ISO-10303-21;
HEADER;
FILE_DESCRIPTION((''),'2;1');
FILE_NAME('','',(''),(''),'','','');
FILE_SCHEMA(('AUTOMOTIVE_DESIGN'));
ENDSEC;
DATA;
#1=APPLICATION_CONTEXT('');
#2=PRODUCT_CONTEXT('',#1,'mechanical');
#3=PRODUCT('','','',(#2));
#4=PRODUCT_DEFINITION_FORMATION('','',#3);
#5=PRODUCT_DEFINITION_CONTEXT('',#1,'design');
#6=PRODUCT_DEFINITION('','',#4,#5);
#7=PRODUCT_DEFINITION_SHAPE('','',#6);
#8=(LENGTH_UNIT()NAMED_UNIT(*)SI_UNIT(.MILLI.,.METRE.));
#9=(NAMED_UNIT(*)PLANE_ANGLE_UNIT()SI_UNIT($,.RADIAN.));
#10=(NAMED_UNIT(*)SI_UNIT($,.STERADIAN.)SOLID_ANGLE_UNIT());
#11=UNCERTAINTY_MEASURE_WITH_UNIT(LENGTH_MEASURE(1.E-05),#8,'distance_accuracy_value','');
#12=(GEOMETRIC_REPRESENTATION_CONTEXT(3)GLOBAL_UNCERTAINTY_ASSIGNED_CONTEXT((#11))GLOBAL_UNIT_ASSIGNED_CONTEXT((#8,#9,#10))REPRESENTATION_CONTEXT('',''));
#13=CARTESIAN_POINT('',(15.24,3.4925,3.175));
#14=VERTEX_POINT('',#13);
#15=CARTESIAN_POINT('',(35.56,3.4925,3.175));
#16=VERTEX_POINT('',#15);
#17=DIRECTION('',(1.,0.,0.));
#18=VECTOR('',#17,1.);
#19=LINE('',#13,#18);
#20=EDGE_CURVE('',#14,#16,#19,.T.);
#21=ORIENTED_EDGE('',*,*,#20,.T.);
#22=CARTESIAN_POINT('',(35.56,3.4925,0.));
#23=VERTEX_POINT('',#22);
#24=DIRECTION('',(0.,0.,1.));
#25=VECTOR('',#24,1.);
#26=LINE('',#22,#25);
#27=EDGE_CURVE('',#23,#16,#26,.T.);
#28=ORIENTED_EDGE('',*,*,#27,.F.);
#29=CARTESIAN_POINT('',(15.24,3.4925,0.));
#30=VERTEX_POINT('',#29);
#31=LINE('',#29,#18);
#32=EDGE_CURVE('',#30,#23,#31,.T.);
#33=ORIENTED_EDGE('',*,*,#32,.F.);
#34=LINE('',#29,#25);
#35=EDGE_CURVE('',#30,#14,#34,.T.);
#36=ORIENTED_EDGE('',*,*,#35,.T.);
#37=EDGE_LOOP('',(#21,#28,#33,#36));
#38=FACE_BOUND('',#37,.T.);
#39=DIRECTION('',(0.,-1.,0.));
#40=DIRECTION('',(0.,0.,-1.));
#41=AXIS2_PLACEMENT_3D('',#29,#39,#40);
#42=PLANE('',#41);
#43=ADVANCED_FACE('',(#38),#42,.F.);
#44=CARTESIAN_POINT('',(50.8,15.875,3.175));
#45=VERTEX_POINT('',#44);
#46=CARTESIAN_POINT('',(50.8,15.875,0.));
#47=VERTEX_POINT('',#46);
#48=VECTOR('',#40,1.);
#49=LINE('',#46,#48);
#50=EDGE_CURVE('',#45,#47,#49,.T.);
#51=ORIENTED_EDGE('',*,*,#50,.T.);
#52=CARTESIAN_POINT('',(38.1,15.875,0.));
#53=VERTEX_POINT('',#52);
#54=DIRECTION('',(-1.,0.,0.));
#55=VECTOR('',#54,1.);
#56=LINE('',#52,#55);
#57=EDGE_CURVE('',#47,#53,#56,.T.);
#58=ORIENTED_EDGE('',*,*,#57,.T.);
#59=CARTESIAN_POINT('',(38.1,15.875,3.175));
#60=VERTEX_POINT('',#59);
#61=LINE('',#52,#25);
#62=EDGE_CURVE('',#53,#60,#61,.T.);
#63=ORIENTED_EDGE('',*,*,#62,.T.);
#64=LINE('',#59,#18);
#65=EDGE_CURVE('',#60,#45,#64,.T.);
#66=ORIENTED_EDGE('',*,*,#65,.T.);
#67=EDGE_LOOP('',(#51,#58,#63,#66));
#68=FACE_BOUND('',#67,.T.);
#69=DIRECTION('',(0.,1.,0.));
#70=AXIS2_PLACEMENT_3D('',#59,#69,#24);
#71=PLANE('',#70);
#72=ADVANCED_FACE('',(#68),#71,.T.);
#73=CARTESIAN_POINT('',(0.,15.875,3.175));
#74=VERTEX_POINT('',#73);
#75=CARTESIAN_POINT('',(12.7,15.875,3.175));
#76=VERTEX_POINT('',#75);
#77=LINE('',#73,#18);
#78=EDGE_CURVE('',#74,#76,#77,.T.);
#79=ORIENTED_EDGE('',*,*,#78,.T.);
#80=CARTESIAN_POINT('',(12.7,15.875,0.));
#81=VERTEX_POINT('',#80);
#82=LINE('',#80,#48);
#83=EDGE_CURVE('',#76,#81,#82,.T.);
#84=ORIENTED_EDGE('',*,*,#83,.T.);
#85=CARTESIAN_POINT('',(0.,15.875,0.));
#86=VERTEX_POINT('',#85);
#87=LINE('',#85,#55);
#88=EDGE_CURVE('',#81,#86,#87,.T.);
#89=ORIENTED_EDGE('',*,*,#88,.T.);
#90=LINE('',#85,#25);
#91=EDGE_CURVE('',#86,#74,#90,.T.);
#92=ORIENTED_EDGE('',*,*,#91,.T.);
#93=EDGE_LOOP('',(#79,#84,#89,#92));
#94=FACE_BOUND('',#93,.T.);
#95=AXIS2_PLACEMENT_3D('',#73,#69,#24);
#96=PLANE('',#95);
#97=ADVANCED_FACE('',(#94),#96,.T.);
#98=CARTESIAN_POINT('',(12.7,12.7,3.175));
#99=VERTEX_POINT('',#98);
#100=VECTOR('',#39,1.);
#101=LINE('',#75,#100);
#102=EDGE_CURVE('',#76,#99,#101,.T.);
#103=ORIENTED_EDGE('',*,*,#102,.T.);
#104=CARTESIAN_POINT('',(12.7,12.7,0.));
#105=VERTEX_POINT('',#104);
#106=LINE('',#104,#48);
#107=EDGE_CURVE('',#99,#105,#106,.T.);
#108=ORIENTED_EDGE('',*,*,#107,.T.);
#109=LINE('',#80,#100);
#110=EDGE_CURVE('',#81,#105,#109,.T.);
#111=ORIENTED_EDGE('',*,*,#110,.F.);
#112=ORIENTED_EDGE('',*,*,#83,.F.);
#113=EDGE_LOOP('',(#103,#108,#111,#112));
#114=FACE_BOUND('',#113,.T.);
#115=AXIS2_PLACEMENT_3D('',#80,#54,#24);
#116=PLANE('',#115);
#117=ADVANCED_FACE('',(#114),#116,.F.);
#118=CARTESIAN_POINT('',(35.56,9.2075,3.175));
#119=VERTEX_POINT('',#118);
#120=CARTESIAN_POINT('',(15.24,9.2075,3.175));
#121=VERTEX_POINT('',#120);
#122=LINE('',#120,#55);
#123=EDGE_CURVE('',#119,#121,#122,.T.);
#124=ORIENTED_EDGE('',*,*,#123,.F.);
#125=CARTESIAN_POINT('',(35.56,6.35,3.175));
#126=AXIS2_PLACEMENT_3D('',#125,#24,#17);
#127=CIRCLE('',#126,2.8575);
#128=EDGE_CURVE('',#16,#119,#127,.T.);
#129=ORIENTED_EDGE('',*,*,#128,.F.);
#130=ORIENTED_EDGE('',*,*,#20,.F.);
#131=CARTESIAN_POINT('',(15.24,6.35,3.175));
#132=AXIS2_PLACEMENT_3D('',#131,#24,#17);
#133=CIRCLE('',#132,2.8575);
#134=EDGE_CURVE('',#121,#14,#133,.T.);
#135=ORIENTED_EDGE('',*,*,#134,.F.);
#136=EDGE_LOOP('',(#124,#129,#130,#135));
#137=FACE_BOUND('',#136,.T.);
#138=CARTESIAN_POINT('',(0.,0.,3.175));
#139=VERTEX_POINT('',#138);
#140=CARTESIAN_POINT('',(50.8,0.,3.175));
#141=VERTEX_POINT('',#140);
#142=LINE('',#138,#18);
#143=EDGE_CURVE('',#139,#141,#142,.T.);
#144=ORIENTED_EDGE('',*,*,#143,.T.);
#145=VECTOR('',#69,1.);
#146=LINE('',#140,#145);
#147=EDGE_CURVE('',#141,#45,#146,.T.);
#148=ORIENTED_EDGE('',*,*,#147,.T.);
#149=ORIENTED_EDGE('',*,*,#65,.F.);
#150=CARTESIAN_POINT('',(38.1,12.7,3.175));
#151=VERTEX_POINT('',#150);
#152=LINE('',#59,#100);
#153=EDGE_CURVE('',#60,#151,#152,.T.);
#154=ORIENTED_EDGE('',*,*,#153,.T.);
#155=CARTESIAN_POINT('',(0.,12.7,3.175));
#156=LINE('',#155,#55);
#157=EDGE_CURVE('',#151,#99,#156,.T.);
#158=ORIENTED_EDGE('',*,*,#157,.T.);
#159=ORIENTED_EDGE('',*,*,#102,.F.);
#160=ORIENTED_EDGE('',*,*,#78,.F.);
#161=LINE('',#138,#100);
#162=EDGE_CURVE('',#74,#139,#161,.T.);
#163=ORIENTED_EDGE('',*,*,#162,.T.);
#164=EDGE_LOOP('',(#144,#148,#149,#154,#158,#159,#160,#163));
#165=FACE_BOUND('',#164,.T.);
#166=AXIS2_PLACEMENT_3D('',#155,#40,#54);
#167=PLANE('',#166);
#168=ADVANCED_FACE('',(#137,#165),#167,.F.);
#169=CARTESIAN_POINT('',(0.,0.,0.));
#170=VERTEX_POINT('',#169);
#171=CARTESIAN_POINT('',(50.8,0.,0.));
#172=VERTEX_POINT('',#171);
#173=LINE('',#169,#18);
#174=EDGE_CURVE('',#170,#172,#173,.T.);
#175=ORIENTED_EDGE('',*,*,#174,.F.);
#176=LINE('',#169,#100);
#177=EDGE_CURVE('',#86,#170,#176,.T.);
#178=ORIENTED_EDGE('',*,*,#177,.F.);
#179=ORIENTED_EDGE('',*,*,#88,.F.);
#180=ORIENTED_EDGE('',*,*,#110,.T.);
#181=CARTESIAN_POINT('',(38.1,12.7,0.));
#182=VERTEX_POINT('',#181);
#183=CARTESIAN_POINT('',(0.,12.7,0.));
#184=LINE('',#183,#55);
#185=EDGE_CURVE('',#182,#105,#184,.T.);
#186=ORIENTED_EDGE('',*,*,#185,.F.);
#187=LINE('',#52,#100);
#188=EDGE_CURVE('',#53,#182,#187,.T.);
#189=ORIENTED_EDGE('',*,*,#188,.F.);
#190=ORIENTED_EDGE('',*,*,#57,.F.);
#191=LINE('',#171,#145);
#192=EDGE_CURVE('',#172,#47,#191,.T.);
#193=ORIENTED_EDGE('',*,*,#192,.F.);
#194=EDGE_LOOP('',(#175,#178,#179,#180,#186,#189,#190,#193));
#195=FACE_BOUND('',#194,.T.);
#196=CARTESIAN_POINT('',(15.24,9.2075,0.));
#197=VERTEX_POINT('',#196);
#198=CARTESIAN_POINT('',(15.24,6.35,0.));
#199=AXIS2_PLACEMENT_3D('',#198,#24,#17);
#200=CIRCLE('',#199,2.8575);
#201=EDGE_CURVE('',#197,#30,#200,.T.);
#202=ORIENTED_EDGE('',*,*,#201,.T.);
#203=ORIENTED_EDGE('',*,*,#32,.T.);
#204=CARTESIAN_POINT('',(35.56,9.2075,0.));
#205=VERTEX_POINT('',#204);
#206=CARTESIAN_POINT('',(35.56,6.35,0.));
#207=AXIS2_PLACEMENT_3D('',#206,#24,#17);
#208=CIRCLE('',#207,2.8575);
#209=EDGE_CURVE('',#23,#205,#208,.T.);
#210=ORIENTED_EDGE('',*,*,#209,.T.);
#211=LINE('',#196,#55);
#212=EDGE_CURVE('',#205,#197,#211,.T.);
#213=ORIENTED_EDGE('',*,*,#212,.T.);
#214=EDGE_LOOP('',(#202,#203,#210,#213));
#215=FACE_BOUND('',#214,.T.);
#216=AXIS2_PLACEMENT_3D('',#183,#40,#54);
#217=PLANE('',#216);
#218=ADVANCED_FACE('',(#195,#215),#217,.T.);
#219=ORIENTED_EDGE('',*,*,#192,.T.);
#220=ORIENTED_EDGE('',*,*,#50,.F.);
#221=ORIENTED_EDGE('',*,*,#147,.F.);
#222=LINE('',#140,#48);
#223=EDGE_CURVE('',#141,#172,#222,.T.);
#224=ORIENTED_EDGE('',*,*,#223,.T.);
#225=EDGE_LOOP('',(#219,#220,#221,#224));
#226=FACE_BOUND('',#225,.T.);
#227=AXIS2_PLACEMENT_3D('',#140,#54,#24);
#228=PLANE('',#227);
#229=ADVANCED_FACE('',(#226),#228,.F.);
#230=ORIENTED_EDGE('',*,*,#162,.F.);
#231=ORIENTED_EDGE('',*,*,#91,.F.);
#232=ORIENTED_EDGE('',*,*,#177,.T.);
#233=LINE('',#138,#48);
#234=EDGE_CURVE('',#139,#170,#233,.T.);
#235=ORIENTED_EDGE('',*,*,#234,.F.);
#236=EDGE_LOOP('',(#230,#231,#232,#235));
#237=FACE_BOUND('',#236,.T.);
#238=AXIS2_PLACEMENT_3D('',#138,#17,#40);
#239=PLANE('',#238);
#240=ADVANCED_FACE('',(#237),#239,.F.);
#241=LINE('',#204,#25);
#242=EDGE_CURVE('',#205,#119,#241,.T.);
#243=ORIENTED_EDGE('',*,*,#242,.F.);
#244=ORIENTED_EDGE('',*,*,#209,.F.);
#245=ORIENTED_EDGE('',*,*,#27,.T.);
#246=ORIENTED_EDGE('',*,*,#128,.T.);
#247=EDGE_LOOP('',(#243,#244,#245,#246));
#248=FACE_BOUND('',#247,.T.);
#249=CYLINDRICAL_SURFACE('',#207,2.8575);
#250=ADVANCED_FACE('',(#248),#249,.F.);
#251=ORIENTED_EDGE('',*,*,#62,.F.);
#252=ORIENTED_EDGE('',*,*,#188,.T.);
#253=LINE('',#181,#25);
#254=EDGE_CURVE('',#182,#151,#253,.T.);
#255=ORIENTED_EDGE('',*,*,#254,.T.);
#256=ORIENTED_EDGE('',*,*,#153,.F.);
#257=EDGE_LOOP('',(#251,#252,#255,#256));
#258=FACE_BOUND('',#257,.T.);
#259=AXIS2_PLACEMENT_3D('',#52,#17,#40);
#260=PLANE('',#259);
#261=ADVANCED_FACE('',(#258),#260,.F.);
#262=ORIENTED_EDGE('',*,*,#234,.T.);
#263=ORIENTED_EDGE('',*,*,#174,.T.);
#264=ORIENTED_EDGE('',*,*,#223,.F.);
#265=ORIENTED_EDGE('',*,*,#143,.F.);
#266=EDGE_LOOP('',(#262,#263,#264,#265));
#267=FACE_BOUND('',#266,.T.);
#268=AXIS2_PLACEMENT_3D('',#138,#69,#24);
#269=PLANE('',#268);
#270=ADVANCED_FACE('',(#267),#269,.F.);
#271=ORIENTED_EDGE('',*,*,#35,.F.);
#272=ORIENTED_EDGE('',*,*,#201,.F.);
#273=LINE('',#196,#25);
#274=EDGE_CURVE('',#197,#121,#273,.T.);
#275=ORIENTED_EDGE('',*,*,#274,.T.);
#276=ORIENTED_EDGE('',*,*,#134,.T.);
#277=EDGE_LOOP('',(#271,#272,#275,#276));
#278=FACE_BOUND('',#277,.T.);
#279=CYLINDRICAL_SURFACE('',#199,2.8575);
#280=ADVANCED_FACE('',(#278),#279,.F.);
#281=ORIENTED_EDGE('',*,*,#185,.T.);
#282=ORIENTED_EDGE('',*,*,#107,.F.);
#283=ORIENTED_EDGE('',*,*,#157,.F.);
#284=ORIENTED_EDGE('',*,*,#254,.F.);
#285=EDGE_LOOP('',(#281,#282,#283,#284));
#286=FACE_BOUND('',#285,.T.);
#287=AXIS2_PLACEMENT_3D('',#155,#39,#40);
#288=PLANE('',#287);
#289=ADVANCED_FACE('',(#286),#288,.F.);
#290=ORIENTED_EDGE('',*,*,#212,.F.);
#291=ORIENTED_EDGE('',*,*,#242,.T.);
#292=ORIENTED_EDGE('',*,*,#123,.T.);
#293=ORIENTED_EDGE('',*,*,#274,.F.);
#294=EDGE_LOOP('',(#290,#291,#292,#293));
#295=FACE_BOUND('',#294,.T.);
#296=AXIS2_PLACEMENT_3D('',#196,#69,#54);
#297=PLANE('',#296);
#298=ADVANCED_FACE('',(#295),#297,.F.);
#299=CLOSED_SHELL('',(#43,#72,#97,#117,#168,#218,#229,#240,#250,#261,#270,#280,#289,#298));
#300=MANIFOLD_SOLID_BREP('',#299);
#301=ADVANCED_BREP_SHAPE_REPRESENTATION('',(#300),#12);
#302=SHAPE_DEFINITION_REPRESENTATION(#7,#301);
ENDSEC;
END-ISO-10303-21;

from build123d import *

# Parameters (mm, degrees)
SKETCH1_W       = 50.8
SKETCH1_H       = 12.7
EXTRUDE1_DEPTH  = 3.175
EXTRUDE2_DEPTH  = 4.175
SKETCH3_W       = 12.7
SKETCH3_H       = 3.175
EXTRUDE3_DEPTH  = 3.175
LPATTERN1_COUNT = 2
LPATTERN1_PITCH = 38.1


with BuildPart() as part:
    # Sketch1 → Extrude1 (new body)
    with BuildSketch(Plane.XY):
        with Locations((25.4, 6.35)):
            Rectangle(SKETCH1_W, SKETCH1_H)
    extrude(amount=EXTRUDE1_DEPTH)

    # Sketch2 → Extrude2 (cut, through all)
    with BuildSketch(Plane.XY.offset(3.175)):
        with BuildLine():
            Line((15.24, 9.2075), (35.56, 9.2075))
            ThreePointArc((35.56, 9.2075), (38.4175, 6.35), (35.56, 3.4925))
            Line((35.56, 3.4925), (15.24, 3.4925))
            ThreePointArc((15.24, 3.4925), (12.3825, 6.35), (15.24, 9.2075))
        make_face()
    extrude(amount=-EXTRUDE2_DEPTH, mode=Mode.SUBTRACT)

    # Sketch3 → Extrude3 (add)
    with BuildSketch(Plane(origin=(0, 12.7, 0), x_dir=(1, 0, 0), z_dir=(0, 1, 0))):
        with Locations((6.35, -1.5875)):
            Rectangle(SKETCH3_W, SKETCH3_H)
    extrude3 = extrude(amount=EXTRUDE3_DEPTH)

    # LPattern1: Extrude3 ×2
    with Locations(*[(i * LPATTERN1_PITCH, 0, 0) for i in range(1, LPATTERN1_COUNT)]):
        add(extrude3)


solid = part.part
